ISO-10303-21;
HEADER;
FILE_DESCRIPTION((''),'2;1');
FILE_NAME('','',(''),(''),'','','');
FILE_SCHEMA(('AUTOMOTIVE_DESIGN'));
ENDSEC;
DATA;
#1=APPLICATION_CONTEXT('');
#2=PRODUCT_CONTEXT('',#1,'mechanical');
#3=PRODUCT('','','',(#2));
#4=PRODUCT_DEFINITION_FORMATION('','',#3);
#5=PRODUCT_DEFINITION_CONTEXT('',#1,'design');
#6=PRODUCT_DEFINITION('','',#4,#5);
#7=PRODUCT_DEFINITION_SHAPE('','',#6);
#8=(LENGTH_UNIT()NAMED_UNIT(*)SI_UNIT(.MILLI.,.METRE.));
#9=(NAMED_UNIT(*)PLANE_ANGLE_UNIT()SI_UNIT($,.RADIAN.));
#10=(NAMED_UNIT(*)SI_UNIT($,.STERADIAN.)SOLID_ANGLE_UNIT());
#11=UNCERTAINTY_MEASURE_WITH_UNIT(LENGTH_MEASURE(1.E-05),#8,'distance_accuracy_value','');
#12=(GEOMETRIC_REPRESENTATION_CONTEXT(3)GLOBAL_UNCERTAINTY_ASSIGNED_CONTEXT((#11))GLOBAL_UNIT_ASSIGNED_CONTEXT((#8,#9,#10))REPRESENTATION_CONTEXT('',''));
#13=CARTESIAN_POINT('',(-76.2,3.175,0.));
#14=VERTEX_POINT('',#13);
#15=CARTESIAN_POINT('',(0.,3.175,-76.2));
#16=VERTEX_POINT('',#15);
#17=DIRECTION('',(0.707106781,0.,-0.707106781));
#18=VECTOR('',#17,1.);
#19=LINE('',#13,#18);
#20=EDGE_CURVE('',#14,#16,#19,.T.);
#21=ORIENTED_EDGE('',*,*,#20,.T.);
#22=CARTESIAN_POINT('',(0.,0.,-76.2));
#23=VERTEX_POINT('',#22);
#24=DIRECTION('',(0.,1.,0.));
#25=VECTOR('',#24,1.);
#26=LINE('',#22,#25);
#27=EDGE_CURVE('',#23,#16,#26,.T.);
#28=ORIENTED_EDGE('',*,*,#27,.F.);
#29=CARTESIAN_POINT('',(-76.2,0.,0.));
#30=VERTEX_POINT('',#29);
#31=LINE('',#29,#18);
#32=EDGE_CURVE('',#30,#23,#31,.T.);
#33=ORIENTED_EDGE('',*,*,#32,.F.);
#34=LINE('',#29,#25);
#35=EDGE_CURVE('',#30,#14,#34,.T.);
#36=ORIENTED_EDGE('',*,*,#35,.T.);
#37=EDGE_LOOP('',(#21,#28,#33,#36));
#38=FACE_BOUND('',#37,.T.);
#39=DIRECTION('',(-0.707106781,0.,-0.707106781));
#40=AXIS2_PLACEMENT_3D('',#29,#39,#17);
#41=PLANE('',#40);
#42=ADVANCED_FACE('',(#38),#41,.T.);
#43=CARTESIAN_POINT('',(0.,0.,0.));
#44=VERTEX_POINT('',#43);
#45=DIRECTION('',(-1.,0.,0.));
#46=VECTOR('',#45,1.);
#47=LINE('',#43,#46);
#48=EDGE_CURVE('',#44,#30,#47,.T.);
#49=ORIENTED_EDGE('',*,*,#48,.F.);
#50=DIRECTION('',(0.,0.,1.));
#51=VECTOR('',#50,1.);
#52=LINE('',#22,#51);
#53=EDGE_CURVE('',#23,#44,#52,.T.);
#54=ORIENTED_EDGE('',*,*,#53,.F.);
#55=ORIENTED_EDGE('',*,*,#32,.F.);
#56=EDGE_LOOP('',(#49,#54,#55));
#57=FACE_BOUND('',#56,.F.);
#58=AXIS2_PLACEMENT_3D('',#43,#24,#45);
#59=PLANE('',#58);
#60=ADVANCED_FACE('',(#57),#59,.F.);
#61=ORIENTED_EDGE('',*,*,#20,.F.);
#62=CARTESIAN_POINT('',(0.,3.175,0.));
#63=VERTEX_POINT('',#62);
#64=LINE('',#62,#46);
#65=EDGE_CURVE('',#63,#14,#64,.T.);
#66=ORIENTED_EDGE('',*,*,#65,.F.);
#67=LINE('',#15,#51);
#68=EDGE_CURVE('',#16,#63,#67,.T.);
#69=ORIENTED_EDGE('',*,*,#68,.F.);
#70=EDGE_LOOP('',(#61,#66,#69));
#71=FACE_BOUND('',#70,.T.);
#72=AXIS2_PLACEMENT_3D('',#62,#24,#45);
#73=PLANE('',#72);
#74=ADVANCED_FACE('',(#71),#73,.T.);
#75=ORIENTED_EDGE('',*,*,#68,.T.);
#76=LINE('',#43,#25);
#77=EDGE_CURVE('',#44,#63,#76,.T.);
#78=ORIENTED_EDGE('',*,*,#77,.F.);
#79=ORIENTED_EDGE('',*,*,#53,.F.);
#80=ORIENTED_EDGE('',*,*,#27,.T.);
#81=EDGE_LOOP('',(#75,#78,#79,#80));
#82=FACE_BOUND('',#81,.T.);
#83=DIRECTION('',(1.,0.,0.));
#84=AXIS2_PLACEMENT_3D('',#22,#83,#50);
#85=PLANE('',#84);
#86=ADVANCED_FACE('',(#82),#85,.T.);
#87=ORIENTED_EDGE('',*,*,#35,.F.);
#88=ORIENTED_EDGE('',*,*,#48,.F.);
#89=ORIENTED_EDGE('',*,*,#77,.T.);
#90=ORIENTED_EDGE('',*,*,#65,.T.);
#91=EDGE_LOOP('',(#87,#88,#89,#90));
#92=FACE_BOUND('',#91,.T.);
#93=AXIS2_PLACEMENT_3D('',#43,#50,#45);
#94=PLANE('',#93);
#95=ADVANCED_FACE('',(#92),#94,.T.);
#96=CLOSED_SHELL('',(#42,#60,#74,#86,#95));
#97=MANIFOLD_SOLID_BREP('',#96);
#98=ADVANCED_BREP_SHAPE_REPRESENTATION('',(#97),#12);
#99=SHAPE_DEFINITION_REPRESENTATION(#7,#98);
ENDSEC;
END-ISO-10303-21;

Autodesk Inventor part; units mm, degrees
ref_plane "YZ Plane" through (0, 0, 0) normal (1, 0, 0) x (0, 1, 0)
ref_plane "XZ Plane" through (0, 0, 0) normal (0, 1, 0) x (-1, 0, 0)
ref_plane "XY Plane" through (0, 0, 0) normal (0, 0, 1) x (1, 0, 0)
sketch "Sketch1" plane through (0, 0, 0) normal (0, 1, 0) x (-1, 0, 0)
  line L0 (0, 0) -> (76.2, 0)
  line L1 (0, -76.2) -> (0, 0)
  line L2 (76.2, 0) -> (0, -76.2)
extrude "Extrusion1" add sketch "Sketch1" along normal blind 3.175
properties part number "3inchRubberTriangle"
